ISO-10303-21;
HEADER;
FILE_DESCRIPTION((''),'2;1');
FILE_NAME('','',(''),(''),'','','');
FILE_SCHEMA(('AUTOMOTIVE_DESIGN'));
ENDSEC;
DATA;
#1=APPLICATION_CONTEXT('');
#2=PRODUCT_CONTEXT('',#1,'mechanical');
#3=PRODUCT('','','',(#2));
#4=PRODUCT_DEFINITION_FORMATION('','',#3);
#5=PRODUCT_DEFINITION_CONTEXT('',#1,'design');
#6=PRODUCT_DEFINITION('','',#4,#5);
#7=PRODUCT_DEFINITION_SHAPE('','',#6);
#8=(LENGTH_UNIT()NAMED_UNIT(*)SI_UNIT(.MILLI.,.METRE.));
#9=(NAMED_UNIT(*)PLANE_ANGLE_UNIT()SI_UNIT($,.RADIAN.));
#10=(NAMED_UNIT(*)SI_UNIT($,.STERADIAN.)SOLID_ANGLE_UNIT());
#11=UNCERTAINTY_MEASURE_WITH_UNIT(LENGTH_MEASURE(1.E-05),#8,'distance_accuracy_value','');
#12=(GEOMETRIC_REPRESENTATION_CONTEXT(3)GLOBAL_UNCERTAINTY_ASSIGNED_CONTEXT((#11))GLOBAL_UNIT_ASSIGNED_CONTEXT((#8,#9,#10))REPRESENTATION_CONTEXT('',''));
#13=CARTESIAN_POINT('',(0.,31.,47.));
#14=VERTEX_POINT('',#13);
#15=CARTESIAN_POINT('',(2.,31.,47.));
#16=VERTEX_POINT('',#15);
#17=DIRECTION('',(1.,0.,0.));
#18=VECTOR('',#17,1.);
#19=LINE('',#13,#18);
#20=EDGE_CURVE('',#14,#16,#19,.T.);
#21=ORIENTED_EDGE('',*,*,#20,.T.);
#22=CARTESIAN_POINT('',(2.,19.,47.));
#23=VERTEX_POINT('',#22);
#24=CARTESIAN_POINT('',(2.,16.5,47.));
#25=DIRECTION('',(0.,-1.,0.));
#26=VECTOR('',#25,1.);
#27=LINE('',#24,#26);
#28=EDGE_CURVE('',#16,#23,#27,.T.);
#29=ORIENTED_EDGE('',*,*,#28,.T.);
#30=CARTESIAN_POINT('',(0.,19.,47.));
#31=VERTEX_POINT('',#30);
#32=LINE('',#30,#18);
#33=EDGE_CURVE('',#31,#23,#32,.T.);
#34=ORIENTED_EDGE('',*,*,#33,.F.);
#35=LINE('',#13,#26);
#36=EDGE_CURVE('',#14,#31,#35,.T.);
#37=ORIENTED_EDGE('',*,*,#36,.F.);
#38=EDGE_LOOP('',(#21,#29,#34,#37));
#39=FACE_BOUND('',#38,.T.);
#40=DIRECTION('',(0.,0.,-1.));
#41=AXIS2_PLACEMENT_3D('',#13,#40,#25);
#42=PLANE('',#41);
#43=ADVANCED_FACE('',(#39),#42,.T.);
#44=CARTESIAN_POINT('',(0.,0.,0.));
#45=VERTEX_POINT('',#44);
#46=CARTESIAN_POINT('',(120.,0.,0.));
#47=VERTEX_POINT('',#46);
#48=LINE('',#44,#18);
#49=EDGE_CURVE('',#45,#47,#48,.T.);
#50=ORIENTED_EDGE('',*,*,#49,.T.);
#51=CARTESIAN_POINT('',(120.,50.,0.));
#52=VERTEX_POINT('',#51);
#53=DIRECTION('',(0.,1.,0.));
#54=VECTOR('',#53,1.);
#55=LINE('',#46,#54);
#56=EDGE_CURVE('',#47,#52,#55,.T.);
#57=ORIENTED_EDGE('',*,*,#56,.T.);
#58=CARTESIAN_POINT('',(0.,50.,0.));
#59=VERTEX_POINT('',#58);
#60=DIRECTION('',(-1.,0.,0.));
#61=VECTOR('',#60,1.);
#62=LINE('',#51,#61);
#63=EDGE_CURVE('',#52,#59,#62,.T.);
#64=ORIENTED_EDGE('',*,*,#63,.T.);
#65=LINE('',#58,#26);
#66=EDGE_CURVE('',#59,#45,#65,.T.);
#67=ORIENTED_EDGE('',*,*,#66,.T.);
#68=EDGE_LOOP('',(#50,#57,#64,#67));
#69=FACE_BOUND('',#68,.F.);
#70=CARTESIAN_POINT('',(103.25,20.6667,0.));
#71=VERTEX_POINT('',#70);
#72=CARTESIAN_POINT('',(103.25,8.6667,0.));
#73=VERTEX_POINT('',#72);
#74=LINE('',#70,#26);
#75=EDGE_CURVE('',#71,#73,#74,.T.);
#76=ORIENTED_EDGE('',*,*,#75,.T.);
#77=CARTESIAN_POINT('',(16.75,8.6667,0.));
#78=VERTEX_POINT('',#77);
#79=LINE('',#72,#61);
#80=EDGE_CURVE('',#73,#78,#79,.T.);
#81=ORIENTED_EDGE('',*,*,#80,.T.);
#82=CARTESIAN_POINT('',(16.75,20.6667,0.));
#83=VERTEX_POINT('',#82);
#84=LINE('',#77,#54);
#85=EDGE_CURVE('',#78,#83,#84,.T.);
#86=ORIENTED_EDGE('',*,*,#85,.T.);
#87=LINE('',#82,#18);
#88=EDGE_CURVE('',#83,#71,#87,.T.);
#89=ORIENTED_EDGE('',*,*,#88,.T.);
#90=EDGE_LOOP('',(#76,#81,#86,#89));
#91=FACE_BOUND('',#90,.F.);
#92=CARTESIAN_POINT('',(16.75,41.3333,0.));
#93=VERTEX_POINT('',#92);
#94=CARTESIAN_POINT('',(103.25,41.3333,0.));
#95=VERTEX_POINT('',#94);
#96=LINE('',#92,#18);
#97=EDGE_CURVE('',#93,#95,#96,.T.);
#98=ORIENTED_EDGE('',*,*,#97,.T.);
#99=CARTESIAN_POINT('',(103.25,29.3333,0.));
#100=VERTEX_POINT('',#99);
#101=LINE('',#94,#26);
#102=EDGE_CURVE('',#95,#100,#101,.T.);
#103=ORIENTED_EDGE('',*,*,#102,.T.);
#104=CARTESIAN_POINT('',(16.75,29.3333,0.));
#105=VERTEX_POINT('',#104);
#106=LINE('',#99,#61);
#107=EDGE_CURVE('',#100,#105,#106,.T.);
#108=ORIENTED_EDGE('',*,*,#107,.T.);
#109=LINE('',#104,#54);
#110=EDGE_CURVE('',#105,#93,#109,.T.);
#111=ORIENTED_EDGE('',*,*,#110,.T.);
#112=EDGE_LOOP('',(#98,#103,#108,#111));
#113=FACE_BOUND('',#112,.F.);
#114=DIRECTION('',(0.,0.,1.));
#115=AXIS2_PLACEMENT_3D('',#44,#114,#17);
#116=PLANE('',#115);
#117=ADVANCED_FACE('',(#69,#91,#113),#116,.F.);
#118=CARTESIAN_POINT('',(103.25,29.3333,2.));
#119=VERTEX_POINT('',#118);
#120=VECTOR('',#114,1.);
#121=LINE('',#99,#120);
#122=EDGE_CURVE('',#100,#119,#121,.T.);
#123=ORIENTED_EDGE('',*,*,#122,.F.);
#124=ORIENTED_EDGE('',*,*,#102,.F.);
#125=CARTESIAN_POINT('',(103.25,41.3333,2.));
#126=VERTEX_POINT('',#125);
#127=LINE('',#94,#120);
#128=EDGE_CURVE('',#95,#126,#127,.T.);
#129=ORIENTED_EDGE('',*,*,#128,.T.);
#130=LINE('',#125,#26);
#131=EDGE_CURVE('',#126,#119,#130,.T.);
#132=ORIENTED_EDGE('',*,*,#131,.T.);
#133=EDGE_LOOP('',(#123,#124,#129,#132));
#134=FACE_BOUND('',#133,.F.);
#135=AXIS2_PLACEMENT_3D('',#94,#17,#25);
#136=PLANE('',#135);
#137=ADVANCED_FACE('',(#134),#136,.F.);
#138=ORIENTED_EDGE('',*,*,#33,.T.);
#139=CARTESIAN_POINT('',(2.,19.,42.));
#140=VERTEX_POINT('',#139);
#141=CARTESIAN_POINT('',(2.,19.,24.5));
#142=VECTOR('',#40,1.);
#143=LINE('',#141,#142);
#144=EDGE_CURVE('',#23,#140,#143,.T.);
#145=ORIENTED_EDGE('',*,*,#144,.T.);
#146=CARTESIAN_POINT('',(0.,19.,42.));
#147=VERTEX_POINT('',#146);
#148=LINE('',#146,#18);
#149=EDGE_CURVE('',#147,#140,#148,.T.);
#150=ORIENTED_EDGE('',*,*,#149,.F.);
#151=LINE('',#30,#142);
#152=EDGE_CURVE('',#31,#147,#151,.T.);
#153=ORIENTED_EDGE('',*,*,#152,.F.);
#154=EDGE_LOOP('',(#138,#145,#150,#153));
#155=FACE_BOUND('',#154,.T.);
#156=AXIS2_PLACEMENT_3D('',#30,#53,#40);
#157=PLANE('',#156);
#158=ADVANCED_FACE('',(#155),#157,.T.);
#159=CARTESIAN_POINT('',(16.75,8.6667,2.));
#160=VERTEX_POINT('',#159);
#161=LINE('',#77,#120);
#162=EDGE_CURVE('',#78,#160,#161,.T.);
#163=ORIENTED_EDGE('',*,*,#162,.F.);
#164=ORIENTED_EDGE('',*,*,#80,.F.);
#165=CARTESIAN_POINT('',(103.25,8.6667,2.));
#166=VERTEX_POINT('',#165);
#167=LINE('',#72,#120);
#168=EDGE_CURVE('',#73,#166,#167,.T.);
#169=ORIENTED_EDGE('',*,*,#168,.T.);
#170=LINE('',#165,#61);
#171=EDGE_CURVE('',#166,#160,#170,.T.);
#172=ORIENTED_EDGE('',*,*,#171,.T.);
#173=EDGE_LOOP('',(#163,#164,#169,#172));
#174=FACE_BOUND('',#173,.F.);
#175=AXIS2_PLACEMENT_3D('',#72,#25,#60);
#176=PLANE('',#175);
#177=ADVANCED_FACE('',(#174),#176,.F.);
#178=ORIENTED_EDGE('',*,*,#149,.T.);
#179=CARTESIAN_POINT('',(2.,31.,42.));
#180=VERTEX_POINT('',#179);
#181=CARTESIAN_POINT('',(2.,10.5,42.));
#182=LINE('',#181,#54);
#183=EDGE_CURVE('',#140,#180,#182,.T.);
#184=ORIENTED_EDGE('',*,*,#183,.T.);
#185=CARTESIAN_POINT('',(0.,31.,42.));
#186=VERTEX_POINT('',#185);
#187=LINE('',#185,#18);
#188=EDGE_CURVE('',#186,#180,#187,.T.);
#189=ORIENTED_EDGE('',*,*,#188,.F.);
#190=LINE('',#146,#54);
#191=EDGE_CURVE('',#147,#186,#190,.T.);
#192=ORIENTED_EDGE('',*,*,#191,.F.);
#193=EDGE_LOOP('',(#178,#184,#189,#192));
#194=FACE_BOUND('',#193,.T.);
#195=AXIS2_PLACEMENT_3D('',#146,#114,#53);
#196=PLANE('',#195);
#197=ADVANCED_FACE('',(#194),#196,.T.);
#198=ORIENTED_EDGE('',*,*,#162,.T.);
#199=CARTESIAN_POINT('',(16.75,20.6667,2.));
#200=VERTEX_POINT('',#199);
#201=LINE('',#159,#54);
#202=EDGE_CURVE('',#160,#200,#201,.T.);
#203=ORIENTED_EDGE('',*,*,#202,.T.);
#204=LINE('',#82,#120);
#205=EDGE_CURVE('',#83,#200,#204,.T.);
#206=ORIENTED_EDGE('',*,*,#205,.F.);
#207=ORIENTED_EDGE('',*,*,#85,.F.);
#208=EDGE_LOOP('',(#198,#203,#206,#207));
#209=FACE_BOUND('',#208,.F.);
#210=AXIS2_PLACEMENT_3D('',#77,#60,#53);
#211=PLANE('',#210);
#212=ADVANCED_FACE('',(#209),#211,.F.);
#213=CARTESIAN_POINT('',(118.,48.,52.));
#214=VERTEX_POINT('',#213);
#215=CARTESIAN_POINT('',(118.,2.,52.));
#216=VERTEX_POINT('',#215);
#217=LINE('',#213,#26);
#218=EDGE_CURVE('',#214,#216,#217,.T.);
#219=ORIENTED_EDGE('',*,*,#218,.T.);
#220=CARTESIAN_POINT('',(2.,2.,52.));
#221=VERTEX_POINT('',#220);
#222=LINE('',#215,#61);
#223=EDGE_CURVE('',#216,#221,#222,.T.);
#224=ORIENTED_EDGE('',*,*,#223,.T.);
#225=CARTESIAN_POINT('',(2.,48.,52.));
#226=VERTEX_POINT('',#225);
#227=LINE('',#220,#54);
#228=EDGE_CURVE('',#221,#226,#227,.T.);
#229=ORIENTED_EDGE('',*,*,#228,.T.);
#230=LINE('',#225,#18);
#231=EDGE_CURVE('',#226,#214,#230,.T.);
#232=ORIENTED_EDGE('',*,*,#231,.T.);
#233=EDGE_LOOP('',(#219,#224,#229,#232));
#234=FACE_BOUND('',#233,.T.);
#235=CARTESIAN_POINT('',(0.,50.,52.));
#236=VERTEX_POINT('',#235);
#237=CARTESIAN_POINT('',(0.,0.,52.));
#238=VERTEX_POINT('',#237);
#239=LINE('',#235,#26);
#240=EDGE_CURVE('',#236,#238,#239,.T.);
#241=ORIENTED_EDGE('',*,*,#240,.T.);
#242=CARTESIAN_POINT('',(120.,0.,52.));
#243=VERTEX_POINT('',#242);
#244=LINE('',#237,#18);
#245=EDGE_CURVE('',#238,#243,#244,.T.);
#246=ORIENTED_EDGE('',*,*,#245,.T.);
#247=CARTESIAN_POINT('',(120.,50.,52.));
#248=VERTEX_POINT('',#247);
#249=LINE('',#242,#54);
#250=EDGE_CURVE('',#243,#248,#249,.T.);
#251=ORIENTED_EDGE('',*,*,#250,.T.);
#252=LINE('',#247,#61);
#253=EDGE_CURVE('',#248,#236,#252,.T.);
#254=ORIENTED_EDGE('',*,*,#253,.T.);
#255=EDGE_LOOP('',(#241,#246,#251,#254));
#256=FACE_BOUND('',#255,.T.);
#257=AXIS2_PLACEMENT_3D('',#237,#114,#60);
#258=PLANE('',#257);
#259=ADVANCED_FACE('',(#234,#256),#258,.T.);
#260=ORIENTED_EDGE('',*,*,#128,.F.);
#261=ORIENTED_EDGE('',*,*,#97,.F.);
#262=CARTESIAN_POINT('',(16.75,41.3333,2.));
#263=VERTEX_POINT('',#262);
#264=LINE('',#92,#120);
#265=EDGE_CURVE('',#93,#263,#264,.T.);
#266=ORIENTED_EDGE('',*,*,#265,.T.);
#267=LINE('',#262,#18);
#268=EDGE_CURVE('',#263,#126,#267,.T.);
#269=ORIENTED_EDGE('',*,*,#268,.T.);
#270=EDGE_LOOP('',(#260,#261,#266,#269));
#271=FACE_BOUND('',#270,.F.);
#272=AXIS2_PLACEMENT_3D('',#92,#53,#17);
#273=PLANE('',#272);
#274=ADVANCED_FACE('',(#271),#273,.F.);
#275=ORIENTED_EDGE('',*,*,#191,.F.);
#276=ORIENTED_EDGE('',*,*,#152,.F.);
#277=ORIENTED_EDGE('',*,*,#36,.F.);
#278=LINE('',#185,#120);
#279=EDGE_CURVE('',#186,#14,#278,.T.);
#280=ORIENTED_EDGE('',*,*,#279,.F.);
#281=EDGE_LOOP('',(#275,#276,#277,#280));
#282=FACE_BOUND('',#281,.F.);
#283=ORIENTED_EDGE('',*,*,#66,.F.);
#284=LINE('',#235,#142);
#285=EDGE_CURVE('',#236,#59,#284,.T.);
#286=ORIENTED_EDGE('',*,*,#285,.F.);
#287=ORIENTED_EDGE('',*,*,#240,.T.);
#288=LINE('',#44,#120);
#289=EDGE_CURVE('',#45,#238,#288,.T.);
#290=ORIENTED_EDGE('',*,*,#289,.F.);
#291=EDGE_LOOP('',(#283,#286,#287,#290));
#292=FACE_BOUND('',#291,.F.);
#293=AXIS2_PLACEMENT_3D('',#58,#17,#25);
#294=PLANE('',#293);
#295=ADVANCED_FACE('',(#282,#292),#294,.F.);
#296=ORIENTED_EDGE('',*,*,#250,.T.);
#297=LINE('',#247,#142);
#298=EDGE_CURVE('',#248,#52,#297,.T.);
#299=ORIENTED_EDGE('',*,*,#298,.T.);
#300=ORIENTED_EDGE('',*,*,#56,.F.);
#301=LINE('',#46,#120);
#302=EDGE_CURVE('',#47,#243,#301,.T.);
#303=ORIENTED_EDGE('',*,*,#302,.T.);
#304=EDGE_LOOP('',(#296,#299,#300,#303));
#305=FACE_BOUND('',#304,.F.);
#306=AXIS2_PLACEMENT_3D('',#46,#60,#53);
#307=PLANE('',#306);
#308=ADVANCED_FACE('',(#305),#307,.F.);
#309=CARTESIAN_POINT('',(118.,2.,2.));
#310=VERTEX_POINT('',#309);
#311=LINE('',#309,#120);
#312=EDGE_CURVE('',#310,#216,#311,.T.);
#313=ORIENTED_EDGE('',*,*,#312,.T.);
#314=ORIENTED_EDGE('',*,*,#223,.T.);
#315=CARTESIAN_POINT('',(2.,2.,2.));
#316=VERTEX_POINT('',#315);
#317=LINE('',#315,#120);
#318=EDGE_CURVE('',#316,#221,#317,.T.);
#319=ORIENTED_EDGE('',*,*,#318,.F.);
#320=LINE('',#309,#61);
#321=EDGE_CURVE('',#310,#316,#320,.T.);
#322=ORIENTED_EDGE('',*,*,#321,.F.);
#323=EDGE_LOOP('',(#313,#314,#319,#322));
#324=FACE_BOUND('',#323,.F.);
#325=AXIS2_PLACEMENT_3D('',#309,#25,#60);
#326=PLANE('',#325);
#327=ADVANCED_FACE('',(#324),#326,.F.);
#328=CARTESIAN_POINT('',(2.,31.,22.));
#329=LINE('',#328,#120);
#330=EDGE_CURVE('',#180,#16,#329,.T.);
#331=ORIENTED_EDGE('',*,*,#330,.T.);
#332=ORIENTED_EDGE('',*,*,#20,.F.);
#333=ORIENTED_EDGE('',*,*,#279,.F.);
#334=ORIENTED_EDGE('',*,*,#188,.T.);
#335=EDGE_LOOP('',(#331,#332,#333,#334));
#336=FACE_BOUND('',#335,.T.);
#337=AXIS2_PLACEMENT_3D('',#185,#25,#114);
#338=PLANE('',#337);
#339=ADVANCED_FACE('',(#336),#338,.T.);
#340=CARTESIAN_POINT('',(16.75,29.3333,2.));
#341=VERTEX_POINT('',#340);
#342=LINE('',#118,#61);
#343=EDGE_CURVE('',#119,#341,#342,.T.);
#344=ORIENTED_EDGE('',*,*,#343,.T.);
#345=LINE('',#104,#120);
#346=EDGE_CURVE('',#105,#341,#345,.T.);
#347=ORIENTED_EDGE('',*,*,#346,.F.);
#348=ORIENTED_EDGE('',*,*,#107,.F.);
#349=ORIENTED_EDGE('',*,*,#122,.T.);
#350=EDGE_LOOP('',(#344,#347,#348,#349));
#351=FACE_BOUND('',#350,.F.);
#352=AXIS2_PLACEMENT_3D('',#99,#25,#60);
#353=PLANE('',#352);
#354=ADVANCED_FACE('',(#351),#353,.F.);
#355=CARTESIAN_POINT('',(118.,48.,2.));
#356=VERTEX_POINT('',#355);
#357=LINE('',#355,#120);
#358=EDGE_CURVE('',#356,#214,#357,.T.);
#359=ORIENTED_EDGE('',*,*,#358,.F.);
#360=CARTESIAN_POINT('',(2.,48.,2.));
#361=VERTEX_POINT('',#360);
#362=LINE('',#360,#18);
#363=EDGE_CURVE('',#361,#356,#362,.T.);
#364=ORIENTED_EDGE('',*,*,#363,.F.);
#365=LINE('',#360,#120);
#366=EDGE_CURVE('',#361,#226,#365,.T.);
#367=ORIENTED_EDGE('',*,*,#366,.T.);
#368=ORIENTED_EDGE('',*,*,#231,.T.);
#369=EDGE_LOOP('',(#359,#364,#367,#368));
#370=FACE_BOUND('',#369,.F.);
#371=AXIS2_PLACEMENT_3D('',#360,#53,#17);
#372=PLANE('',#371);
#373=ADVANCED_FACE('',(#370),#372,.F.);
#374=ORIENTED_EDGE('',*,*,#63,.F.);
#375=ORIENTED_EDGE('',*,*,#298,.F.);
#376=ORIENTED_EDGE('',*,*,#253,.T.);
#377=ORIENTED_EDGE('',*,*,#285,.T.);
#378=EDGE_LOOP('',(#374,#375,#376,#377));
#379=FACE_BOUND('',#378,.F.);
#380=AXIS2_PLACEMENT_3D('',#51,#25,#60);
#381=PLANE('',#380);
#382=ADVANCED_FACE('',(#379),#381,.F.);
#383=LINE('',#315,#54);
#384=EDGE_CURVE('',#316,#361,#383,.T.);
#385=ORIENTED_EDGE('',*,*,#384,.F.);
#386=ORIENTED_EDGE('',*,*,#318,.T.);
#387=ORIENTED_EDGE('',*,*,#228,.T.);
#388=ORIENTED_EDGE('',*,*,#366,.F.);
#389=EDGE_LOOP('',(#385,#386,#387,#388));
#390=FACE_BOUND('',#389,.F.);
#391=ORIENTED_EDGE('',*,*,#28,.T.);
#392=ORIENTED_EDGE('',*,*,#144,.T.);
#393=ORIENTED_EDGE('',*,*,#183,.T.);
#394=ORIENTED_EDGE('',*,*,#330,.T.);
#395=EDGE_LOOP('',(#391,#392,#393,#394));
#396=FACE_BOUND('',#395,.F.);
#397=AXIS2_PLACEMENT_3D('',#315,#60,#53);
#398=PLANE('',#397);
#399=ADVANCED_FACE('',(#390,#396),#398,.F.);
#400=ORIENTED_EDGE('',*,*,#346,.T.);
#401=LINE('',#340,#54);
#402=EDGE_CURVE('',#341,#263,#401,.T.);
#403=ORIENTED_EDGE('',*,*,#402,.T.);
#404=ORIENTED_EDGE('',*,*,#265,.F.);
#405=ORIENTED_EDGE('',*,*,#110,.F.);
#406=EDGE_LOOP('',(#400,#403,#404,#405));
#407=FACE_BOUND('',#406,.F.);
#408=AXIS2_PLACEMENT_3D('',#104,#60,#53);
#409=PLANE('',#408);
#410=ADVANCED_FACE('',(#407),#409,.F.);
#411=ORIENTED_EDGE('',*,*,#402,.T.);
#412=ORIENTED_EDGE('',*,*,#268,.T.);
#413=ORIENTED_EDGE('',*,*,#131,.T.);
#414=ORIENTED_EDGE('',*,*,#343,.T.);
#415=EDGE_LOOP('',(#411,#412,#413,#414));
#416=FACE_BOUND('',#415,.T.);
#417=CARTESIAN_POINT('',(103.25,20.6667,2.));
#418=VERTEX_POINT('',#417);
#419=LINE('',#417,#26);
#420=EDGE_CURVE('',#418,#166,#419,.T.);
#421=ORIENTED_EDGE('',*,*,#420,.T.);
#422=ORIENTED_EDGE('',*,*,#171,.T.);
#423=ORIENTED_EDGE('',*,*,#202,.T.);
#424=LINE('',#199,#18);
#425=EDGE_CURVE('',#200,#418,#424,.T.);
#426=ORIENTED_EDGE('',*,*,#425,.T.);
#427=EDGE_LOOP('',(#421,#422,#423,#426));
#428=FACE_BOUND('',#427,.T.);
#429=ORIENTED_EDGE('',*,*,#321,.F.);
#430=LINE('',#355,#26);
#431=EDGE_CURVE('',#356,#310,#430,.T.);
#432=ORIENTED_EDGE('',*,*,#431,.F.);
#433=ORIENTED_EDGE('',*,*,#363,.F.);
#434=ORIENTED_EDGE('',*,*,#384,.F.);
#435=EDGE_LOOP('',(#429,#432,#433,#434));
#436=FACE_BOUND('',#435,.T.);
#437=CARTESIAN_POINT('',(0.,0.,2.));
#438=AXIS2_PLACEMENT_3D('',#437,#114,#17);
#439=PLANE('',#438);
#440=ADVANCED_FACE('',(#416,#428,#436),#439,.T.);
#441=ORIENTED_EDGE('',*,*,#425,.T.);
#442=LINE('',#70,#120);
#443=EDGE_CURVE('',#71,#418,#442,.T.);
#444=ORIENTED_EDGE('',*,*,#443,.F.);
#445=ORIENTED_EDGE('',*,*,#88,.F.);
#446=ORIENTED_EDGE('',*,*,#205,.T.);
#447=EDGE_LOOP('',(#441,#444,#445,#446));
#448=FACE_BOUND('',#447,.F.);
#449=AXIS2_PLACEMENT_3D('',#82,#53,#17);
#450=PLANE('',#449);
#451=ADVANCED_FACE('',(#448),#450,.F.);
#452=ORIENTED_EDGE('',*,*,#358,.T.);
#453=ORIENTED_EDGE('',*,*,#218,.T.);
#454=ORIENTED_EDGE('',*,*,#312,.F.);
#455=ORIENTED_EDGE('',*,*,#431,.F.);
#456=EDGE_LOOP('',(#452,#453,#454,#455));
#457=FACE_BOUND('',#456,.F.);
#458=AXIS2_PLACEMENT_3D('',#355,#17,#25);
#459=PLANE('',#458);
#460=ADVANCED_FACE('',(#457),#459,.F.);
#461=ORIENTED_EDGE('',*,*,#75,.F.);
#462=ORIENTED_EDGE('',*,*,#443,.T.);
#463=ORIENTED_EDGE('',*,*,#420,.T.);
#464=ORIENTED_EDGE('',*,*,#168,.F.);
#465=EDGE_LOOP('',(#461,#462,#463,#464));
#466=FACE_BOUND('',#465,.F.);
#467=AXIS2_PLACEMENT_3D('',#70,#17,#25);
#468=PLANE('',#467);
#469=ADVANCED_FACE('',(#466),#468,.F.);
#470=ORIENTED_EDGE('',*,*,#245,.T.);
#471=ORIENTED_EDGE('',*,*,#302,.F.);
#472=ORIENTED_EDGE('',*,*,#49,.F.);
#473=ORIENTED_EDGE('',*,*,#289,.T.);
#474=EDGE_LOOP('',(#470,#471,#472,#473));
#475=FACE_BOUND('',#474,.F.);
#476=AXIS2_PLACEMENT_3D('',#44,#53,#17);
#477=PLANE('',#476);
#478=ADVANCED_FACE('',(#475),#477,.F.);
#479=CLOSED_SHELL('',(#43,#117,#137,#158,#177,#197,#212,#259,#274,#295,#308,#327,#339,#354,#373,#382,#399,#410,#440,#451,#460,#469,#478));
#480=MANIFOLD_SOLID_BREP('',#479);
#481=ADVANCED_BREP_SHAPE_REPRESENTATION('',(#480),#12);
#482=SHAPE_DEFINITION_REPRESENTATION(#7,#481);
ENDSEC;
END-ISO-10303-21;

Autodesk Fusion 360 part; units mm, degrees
sketch "Sketch1" plane through (0, 0, 0) normal (0, 0, 1) x (1, 0, 0)
  line L0 (0, 0) -> (120, 0)
  line L1 (120, 0) -> (120, 50)
  line L2 (120, 50) -> (0, 50)
  line L3 (0, 50) -> (0, 0)
  line L4 (16.75, 41.3333) -> (103.25, 41.3333)
  line L5 (103.25, 41.3333) -> (103.25, 29.3333)
  line L6 (103.25, 29.3333) -> (16.75, 29.3333)
  line L7 (16.75, 29.3333) -> (16.75, 41.3333)
  line L8 (16.75, 20.6667) -> (103.25, 20.6667)
  line L9 (103.25, 20.6667) -> (103.25, 8.6667)
  line L10 (103.25, 8.6667) -> (16.75, 8.6667)
  line L11 (16.75, 8.6667) -> (16.75, 20.6667)
  line L12 (103.25, 35.3656) -> (120, 35.3656) construction
  line L13 (0, 36) -> (16.75, 36) construction
  line L14 (16.75, 14.6667) -> (0, 14.6667) construction
  line L15 (103.25, 14.6667) -> (120, 14.6667) construction
  line L16 (54.6731, 50) -> (54.6731, 41.3333) construction
  line L17 (54.6731, 29.3333) -> (54.6731, 20.6667) construction
  line L18 (56.6135, 8.6667) -> (56.6135, 0) construction
  dimension "d1" = 120
  dimension "d2" = 50
  dimension "d3" = 86.5
  dimension "d4" = 12
  dimension "d6" = 86.5
  dimension "d7" = 12
extrude "Extrude1" add sketch "Sketch1" along normal blind 2
sketch "Sketch2" plane through (0, 0, 2) normal (0, 0, 1) x (-1, 0, 0)
  line L0 (-103.25, -8.6667) -> (-16.75, -8.6667)
  line L1 (-16.75, -8.6667) -> (-16.75, -20.6667)
  line L2 (-16.75, -20.6667) -> (-103.25, -20.6667)
  line L3 (-103.25, -20.6667) -> (-103.25, -8.6667)
  line L4 (-103.25, -29.3333) -> (-16.75, -29.3333)
  line L5 (-16.75, -29.3333) -> (-16.75, -41.3333)
  line L6 (-16.75, -41.3333) -> (-103.25, -41.3333)
  line L7 (-103.25, -41.3333) -> (-103.25, -29.3333)
  line L8 (0, -50) -> (0, 0)
  line L9 (0, 0) -> (-120, 0)
  line L10 (-120, 0) -> (-120, -50)
  line L11 (-120, -50) -> (0, -50)
  line L12 (-2, -48) -> (-118, -48)
  line L13 (-118, -48) -> (-118, -2)
  line L14 (-118, -2) -> (-2, -2)
  line L15 (-2, -2) -> (-2, -48)
  dimension "d10" = 2
  dimension "d11" = 2
  dimension "d12" = 2
  dimension "d13" = 2
extrude "Extrude2" add sketch "Sketch2" along normal blind 50 contours L8 L9 L10 L11
sketch "Sketch3" plane through (0, 0, 0) normal (-1, 0, 0) x (0, -1, 0)
  line L0 (-50, 0) -> (0, 0)
  line L1 (0, 0) -> (0, 52)
  line L2 (0, 52) -> (-50, 52)
  line L3 (-50, 52) -> (-50, 0)
  line L4 (-31, 47) -> (-19, 47)
  line L5 (-19, 47) -> (-19, 42)
  line L6 (-19, 42) -> (-31, 42)
  line L7 (-31, 42) -> (-31, 47)
  line L8 (-31, 44.5) -> (-50, 44.5) construction
  line L9 (-40.8681, 44.5) -> (-40.5, 44.5) construction
  line L10 (-19, 44.5) -> (0, 44.5) construction
  dimension "d16" = 12
  dimension "d17" = 5
  dimension "d18" = 5
extrude "Extrude3" cut sketch "Sketch3" against normal blind 10 contours L4 L5 L6 L7
